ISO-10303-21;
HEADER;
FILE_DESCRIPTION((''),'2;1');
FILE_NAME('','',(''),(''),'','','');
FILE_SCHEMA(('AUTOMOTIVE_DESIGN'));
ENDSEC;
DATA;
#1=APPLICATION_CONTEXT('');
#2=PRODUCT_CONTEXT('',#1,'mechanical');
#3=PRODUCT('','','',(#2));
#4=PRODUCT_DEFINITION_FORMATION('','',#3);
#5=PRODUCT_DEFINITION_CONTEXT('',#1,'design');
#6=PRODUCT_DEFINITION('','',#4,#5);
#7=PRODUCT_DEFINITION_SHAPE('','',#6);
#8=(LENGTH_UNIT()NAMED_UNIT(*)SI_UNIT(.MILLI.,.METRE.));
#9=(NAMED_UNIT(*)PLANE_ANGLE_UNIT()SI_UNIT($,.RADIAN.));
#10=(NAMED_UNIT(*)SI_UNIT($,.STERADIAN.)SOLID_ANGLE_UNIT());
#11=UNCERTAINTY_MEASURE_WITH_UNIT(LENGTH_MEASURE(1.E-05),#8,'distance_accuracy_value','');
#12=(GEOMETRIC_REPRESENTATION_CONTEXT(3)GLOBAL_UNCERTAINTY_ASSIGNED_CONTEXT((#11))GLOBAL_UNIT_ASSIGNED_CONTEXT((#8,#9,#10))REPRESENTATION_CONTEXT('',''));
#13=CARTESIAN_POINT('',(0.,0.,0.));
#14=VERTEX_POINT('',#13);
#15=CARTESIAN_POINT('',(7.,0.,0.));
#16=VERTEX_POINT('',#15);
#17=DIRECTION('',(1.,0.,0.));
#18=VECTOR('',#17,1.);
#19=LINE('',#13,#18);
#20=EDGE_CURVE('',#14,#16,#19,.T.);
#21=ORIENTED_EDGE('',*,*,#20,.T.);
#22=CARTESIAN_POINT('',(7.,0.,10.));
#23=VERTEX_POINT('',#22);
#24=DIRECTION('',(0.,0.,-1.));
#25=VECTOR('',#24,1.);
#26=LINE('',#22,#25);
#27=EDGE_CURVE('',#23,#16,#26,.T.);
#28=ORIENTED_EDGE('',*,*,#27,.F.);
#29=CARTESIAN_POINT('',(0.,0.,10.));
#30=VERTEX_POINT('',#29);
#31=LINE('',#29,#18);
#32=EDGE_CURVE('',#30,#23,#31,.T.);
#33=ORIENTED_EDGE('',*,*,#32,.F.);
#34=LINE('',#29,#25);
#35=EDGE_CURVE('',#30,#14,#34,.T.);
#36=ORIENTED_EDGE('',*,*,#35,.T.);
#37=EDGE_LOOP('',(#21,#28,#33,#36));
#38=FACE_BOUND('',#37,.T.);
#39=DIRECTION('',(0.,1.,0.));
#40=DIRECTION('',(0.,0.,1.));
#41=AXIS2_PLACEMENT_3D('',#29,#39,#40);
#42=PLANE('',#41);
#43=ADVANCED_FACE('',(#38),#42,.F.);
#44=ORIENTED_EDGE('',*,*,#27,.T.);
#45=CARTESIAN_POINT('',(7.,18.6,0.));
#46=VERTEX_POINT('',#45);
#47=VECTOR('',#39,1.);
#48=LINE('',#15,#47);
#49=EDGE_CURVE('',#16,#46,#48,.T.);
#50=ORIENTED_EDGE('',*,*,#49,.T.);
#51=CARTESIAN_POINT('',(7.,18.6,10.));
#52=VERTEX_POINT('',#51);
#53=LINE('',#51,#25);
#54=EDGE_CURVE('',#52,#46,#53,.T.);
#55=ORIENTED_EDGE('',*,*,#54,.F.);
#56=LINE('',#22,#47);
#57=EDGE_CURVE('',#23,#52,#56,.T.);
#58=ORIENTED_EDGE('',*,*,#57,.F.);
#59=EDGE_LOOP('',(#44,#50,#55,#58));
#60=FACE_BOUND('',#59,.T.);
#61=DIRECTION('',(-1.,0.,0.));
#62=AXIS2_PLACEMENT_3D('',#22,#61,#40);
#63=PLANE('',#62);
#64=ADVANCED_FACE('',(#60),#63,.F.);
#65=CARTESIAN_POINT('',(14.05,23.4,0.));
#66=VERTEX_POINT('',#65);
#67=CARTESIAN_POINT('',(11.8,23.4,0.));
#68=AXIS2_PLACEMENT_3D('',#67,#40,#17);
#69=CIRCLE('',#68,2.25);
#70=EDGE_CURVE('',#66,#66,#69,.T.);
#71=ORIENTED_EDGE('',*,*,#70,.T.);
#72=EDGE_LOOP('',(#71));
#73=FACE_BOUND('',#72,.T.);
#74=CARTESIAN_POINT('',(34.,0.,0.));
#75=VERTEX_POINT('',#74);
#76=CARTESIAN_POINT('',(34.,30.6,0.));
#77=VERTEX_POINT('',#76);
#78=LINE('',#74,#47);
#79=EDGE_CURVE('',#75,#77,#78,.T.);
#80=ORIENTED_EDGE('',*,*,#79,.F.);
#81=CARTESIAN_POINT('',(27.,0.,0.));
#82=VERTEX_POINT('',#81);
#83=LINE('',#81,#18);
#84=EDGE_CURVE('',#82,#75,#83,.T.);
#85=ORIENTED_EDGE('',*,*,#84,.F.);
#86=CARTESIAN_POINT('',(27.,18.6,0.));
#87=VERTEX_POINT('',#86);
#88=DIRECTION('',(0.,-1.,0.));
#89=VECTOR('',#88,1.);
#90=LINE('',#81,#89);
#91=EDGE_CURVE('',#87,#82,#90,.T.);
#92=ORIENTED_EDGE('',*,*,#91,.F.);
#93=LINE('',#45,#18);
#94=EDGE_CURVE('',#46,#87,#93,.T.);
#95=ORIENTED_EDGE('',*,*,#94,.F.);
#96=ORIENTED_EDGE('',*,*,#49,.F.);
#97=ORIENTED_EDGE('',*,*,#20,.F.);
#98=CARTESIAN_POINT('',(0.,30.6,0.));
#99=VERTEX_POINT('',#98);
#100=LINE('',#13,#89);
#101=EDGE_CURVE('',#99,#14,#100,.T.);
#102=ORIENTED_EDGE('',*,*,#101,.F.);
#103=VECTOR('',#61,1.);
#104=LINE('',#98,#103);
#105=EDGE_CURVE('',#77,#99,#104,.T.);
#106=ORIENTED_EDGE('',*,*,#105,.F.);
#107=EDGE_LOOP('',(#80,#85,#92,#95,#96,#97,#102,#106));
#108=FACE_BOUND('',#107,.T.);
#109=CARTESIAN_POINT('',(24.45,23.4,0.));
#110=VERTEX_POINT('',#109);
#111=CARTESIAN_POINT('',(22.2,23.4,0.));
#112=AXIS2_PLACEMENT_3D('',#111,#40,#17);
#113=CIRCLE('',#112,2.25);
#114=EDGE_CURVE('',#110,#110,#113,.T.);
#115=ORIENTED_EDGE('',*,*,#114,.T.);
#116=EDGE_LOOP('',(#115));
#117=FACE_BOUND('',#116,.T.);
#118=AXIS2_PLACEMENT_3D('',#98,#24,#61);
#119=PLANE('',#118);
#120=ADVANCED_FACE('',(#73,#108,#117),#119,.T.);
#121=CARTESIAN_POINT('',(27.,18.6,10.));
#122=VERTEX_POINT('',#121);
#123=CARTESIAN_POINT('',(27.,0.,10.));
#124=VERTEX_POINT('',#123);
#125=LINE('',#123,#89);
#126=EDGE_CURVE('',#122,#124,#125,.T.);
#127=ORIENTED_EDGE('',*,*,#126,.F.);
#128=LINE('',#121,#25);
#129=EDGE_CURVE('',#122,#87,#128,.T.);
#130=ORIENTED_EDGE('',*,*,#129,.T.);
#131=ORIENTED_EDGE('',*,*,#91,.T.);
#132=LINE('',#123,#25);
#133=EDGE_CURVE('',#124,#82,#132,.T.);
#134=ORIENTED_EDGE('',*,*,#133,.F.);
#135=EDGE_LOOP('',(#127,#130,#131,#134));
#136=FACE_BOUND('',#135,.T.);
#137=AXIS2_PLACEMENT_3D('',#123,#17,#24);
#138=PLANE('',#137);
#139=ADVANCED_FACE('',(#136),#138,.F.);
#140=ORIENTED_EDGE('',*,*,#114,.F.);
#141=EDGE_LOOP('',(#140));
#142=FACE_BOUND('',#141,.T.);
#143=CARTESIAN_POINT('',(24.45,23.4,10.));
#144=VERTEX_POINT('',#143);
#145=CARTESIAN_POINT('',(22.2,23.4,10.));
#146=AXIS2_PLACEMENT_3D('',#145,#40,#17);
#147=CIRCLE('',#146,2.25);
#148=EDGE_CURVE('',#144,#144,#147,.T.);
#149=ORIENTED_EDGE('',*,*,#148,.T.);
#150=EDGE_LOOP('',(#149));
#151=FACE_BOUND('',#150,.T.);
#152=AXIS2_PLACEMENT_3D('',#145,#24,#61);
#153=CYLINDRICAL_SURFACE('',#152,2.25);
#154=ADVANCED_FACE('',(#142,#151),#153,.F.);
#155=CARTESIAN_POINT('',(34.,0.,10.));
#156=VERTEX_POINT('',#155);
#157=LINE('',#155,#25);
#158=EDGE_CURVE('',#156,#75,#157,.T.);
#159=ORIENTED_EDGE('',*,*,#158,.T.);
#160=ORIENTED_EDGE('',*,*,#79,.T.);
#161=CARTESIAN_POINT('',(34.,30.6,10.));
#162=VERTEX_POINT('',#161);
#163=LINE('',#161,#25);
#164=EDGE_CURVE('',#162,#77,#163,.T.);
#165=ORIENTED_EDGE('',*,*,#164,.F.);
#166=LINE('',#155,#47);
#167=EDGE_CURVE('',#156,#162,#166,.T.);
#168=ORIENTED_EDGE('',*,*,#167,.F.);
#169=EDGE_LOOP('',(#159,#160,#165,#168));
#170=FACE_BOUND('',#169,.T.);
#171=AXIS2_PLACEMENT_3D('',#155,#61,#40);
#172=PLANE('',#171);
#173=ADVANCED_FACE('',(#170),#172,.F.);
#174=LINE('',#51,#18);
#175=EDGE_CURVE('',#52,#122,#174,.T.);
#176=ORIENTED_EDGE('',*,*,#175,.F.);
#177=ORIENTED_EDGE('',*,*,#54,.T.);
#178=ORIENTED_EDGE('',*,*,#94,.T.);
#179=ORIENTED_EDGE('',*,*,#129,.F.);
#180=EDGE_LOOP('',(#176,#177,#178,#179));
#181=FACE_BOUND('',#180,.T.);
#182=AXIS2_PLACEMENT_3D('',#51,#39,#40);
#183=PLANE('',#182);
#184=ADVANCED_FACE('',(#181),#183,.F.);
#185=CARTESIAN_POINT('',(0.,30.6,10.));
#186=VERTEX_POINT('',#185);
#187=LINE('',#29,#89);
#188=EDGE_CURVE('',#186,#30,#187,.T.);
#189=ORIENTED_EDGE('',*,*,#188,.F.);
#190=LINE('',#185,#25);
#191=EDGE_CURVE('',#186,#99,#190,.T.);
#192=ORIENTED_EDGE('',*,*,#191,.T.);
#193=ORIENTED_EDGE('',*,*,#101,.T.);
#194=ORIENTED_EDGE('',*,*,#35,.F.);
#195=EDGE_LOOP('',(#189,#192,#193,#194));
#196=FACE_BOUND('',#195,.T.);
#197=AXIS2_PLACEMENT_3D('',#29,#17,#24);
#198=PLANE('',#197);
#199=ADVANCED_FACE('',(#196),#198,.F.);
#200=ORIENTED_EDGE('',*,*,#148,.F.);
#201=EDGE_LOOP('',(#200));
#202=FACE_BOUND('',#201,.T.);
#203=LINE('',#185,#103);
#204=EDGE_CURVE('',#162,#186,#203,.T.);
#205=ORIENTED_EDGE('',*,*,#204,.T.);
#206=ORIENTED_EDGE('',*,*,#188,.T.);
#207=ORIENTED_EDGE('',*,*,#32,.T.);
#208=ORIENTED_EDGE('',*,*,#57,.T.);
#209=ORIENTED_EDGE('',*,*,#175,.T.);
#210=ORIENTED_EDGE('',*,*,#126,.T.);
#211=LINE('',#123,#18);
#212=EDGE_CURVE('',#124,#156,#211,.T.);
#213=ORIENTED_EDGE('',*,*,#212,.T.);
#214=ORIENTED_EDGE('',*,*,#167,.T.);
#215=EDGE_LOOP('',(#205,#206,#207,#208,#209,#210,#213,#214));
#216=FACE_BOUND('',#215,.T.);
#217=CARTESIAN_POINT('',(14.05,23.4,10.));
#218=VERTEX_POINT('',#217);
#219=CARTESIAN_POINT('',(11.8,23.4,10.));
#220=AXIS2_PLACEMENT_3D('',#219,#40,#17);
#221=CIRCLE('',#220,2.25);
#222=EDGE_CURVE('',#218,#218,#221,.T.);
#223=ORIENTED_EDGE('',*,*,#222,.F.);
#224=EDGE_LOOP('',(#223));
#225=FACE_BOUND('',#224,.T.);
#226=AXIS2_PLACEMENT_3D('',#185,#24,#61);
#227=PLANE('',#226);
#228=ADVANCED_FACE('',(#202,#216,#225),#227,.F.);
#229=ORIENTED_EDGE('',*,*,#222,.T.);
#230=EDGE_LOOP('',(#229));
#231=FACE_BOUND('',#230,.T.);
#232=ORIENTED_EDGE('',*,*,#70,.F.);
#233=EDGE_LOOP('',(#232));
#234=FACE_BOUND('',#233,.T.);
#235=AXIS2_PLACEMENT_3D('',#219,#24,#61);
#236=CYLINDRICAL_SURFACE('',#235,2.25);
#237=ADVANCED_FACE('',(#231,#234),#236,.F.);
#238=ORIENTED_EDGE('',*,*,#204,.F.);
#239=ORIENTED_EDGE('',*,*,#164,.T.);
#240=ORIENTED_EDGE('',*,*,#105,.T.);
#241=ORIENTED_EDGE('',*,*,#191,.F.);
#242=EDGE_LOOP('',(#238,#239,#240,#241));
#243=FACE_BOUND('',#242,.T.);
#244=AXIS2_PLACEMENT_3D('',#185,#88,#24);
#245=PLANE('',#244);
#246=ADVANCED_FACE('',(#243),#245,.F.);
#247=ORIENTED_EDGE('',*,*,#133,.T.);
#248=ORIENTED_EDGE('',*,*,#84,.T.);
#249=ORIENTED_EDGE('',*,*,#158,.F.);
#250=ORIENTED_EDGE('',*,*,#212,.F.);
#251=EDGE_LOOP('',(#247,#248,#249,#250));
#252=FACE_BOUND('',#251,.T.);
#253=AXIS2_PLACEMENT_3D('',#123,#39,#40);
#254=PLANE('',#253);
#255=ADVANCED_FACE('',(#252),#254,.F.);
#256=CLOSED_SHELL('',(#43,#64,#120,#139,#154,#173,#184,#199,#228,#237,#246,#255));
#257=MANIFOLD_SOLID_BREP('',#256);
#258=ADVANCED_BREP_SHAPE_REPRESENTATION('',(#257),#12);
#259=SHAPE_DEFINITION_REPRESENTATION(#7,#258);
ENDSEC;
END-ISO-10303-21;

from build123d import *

# Parameters (mm, degrees)
SKETCH1_R           = 2.25
BOSS_EXTRUDE1_DEPTH = 10


with BuildPart() as part:
    # Sketch1 → Boss-Extrude1 (new body)
    with BuildSketch(Plane.XY):
        Polygon((27, 0), (34, 0), (34, 30.6), (0, 30.6), (0, 0), (7, 0), (7, 18.6), (27, 18.6), align=None)
        with Locations((22.2, 23.4)):
            Circle(SKETCH1_R, mode=Mode.SUBTRACT)
        with Locations((11.8, 23.4)):
            Circle(SKETCH1_R, mode=Mode.SUBTRACT)
    extrude(amount=BOSS_EXTRUDE1_DEPTH)


solid = part.part
